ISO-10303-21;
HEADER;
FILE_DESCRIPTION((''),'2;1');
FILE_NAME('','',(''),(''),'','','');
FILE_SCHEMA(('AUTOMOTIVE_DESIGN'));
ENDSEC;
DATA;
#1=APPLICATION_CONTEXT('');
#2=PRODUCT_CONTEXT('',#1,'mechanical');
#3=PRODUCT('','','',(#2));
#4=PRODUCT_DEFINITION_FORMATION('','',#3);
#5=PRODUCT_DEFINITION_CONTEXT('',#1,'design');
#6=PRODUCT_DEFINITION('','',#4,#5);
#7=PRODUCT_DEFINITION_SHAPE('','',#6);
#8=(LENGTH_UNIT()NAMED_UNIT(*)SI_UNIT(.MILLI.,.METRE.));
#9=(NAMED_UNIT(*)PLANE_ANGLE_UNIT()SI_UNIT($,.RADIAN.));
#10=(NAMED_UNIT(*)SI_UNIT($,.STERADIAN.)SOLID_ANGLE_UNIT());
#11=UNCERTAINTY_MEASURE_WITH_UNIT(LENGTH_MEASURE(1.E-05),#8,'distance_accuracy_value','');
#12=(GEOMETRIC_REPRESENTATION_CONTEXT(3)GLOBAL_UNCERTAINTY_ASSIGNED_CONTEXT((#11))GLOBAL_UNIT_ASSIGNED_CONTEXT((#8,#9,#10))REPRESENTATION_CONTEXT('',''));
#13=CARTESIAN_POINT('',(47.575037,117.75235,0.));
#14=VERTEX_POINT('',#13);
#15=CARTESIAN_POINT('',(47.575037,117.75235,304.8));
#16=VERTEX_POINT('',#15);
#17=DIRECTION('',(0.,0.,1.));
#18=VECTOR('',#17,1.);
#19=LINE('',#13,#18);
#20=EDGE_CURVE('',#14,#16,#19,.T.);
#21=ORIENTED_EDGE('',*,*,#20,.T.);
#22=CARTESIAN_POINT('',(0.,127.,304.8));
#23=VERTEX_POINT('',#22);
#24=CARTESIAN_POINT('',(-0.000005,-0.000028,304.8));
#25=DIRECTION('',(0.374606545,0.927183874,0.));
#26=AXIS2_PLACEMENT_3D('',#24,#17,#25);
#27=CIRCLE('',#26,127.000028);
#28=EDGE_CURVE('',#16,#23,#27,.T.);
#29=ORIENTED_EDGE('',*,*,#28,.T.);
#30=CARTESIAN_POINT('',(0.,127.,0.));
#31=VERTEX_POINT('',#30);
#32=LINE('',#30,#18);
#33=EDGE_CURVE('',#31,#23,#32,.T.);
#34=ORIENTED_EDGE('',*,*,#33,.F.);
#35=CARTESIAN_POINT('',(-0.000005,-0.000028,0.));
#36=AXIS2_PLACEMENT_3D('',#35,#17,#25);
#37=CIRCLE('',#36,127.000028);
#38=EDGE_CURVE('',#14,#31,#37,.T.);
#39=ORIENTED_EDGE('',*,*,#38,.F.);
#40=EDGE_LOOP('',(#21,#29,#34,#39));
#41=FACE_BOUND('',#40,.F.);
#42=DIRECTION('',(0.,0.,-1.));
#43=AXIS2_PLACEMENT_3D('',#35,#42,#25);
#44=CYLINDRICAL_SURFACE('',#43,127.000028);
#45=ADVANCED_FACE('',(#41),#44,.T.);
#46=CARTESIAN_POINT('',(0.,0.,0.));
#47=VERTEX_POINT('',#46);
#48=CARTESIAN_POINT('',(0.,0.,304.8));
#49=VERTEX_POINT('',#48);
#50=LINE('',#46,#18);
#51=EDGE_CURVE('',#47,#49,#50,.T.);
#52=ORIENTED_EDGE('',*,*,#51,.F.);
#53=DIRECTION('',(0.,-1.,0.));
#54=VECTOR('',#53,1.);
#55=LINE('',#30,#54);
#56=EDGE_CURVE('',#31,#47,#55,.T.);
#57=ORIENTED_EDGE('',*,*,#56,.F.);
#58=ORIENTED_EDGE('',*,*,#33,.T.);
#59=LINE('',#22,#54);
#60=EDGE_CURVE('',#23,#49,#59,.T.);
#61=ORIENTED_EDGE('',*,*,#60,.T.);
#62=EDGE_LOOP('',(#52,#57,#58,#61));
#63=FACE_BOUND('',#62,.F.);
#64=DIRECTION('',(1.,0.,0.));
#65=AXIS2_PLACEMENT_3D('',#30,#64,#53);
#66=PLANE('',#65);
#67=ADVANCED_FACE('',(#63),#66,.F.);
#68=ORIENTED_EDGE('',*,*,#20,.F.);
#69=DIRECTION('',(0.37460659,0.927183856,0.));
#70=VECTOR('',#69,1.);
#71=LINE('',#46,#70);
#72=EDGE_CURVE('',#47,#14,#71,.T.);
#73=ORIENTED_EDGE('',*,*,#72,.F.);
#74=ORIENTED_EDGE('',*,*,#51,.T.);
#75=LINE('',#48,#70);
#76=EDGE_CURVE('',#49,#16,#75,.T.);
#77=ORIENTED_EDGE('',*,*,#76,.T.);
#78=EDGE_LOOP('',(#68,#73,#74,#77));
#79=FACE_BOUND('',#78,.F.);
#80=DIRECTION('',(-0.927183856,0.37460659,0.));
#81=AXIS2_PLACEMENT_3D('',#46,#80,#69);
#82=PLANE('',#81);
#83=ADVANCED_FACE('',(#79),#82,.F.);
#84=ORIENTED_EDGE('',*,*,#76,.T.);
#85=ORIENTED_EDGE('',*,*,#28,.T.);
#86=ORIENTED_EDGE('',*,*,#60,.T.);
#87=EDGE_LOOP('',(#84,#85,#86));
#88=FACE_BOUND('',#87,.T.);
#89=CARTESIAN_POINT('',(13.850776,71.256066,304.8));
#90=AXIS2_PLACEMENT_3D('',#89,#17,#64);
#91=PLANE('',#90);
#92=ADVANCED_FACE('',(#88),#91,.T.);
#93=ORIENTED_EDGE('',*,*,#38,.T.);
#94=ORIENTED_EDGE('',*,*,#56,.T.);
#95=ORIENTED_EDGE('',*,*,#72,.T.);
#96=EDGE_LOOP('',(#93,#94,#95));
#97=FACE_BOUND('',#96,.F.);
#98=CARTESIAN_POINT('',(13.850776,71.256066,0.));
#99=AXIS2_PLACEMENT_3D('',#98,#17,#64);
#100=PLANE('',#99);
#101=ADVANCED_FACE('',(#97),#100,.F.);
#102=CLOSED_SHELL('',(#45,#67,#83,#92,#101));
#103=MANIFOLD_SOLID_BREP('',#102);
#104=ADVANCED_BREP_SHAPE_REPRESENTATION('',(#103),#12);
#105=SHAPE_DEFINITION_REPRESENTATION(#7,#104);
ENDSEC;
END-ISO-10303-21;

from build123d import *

# Parameters (mm, degrees)
F2_DEPTH = 304.8


with BuildPart() as f2:
    # F1 (on Top) → F2 (new body)
    with BuildSketch(Plane.XY):
        with BuildLine():
            Line((0, 127), (0, 0))
            Line((0, 0), (47.575037, 117.75235))
            ThreePointArc((47.575037, 117.75235), (24.232742, 124.666652), (0, 127))
        make_face()
    extrude(amount=F2_DEPTH)


solid = f2.part
